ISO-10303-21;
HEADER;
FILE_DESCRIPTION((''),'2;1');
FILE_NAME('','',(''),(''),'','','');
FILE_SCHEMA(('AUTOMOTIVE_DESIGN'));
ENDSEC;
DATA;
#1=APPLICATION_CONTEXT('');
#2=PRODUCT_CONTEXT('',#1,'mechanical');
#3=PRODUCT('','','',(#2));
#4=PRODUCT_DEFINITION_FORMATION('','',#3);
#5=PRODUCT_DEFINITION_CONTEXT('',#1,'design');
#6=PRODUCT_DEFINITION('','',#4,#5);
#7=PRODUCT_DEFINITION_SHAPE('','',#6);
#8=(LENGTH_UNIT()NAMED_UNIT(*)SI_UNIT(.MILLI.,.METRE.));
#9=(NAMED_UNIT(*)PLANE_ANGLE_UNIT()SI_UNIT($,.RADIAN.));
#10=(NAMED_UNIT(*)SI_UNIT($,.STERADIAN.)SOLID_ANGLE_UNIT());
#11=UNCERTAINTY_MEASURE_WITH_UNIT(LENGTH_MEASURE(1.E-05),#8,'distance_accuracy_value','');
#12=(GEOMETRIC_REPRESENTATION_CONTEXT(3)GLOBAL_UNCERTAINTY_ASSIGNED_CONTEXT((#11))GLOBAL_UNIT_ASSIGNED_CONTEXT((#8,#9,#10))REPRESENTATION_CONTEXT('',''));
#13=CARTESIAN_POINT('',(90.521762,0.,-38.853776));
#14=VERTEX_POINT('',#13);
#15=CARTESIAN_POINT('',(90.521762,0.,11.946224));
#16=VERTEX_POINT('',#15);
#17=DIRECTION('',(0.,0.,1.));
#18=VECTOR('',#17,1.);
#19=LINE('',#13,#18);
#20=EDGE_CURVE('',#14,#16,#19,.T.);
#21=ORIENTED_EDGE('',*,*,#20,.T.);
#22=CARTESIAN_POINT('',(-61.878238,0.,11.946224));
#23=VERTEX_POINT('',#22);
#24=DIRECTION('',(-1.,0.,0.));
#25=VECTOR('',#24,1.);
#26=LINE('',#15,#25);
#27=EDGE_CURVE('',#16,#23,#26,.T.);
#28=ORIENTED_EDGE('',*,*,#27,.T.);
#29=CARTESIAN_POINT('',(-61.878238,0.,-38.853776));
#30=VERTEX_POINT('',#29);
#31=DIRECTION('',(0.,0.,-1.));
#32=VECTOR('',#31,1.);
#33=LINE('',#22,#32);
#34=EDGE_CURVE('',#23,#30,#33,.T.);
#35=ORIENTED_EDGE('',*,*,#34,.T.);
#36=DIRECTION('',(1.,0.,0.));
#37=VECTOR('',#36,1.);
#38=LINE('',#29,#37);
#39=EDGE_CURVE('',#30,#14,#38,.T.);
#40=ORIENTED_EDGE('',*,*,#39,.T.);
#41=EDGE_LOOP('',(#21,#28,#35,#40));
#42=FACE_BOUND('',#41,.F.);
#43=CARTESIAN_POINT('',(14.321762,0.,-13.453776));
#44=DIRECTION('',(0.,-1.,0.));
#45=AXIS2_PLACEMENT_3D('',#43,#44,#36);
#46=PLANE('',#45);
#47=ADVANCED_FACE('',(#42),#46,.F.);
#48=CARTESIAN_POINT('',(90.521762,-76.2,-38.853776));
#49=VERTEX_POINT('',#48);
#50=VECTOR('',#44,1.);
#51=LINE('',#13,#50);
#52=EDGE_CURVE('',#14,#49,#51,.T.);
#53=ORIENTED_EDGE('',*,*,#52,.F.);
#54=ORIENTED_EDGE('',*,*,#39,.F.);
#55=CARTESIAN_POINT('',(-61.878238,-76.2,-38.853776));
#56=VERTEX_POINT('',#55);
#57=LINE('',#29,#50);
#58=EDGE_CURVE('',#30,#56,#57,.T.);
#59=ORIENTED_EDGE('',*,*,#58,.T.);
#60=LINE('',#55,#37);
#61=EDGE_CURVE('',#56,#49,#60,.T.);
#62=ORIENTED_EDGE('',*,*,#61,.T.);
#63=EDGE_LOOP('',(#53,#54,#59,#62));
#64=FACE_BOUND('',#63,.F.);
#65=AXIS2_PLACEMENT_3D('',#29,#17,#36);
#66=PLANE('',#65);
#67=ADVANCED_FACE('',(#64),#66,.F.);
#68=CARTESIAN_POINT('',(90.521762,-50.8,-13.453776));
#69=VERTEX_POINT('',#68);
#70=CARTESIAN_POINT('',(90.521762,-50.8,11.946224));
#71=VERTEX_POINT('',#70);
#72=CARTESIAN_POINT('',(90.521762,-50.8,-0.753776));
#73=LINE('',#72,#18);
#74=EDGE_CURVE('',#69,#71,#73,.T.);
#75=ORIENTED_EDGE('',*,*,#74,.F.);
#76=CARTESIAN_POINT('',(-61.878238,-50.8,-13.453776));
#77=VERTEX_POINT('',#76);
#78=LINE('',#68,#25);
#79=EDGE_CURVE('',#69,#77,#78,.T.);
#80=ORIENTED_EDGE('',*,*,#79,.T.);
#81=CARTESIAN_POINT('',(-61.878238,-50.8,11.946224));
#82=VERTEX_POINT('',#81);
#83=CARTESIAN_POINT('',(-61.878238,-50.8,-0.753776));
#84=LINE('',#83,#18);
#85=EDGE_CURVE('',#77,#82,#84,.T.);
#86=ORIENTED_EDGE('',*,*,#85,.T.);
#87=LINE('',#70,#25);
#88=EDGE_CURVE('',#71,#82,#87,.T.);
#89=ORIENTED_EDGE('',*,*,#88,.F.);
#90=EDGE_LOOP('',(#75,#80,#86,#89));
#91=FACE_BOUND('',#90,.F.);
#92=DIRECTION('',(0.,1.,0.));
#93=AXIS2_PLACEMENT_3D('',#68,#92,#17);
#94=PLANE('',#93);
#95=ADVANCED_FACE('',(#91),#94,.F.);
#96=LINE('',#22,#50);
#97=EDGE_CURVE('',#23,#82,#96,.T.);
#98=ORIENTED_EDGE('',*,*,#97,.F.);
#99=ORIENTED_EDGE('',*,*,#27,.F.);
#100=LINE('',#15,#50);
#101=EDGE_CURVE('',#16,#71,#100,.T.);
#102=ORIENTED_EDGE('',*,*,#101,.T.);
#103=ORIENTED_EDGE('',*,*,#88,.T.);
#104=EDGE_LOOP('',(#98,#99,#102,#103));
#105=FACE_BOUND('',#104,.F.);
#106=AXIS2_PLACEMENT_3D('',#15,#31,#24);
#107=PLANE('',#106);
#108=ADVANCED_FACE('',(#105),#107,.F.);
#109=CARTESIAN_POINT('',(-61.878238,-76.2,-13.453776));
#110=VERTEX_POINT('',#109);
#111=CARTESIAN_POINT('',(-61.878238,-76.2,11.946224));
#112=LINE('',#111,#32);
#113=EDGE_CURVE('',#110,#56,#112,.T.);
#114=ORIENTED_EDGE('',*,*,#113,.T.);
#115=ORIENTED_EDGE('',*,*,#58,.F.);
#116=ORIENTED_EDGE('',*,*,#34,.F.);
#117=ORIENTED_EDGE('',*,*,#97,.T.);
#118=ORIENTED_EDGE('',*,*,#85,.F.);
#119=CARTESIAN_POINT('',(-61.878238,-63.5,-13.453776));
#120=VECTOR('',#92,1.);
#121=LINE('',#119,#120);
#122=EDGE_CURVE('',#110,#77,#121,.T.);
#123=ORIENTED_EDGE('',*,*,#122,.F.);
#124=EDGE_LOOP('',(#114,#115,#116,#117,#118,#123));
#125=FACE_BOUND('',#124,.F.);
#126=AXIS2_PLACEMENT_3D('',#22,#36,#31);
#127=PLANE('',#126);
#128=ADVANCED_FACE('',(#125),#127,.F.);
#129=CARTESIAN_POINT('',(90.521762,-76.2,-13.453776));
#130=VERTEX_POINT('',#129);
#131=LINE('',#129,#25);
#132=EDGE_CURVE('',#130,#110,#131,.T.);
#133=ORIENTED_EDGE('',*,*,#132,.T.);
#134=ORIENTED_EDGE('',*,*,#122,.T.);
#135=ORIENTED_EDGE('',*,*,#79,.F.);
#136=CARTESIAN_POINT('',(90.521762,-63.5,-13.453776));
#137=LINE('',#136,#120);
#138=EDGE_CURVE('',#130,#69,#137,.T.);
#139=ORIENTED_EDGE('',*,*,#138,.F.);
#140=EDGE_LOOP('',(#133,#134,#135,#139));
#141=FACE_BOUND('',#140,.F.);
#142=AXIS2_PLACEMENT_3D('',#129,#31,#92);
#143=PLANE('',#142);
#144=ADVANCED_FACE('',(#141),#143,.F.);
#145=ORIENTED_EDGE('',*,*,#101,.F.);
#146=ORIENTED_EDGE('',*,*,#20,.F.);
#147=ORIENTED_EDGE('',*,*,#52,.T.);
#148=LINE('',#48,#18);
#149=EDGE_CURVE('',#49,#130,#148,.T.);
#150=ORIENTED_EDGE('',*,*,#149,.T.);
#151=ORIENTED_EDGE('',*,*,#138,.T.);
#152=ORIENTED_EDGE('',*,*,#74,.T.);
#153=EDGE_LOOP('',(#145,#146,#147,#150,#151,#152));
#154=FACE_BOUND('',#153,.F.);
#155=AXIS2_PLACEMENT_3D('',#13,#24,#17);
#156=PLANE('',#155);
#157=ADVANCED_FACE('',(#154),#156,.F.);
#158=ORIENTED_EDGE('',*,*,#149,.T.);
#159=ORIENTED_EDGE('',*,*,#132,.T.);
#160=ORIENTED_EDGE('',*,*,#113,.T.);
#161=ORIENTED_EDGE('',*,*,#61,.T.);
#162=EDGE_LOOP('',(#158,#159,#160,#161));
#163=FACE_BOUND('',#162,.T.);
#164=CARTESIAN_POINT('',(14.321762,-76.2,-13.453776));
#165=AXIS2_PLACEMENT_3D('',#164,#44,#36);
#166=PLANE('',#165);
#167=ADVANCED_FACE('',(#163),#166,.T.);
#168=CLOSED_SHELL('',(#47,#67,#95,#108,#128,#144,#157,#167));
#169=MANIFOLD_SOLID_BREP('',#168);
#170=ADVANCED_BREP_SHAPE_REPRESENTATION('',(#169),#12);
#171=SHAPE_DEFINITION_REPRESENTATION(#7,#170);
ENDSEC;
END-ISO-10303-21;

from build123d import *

# Parameters (mm, degrees)
F1_DEPTH = 76.2
F2_W     = 25.4
F2_H     = 25.4
F3_DEPTH = 152.4


with BuildPart() as f1:
    # F0 (on Front) → F1 (new body)
    with BuildSketch(Plane.XZ):
        Polygon((-61.878238, -13.453776), (-61.878238, -38.853776), (90.521762, -38.853776), (90.521762, -13.453776), (90.521762, 11.946224), (-61.878238, 11.946224), align=None)
    extrude(amount=F1_DEPTH)

    # F2 (on face) → F3 (cut)
    with BuildSketch(Plane.YZ.offset(90.521762)):
        with Locations((-63.5, -0.753776)):
            Rectangle(F2_W, F2_H)
    extrude(amount=-F3_DEPTH, mode=Mode.SUBTRACT)


solid = f1.part
